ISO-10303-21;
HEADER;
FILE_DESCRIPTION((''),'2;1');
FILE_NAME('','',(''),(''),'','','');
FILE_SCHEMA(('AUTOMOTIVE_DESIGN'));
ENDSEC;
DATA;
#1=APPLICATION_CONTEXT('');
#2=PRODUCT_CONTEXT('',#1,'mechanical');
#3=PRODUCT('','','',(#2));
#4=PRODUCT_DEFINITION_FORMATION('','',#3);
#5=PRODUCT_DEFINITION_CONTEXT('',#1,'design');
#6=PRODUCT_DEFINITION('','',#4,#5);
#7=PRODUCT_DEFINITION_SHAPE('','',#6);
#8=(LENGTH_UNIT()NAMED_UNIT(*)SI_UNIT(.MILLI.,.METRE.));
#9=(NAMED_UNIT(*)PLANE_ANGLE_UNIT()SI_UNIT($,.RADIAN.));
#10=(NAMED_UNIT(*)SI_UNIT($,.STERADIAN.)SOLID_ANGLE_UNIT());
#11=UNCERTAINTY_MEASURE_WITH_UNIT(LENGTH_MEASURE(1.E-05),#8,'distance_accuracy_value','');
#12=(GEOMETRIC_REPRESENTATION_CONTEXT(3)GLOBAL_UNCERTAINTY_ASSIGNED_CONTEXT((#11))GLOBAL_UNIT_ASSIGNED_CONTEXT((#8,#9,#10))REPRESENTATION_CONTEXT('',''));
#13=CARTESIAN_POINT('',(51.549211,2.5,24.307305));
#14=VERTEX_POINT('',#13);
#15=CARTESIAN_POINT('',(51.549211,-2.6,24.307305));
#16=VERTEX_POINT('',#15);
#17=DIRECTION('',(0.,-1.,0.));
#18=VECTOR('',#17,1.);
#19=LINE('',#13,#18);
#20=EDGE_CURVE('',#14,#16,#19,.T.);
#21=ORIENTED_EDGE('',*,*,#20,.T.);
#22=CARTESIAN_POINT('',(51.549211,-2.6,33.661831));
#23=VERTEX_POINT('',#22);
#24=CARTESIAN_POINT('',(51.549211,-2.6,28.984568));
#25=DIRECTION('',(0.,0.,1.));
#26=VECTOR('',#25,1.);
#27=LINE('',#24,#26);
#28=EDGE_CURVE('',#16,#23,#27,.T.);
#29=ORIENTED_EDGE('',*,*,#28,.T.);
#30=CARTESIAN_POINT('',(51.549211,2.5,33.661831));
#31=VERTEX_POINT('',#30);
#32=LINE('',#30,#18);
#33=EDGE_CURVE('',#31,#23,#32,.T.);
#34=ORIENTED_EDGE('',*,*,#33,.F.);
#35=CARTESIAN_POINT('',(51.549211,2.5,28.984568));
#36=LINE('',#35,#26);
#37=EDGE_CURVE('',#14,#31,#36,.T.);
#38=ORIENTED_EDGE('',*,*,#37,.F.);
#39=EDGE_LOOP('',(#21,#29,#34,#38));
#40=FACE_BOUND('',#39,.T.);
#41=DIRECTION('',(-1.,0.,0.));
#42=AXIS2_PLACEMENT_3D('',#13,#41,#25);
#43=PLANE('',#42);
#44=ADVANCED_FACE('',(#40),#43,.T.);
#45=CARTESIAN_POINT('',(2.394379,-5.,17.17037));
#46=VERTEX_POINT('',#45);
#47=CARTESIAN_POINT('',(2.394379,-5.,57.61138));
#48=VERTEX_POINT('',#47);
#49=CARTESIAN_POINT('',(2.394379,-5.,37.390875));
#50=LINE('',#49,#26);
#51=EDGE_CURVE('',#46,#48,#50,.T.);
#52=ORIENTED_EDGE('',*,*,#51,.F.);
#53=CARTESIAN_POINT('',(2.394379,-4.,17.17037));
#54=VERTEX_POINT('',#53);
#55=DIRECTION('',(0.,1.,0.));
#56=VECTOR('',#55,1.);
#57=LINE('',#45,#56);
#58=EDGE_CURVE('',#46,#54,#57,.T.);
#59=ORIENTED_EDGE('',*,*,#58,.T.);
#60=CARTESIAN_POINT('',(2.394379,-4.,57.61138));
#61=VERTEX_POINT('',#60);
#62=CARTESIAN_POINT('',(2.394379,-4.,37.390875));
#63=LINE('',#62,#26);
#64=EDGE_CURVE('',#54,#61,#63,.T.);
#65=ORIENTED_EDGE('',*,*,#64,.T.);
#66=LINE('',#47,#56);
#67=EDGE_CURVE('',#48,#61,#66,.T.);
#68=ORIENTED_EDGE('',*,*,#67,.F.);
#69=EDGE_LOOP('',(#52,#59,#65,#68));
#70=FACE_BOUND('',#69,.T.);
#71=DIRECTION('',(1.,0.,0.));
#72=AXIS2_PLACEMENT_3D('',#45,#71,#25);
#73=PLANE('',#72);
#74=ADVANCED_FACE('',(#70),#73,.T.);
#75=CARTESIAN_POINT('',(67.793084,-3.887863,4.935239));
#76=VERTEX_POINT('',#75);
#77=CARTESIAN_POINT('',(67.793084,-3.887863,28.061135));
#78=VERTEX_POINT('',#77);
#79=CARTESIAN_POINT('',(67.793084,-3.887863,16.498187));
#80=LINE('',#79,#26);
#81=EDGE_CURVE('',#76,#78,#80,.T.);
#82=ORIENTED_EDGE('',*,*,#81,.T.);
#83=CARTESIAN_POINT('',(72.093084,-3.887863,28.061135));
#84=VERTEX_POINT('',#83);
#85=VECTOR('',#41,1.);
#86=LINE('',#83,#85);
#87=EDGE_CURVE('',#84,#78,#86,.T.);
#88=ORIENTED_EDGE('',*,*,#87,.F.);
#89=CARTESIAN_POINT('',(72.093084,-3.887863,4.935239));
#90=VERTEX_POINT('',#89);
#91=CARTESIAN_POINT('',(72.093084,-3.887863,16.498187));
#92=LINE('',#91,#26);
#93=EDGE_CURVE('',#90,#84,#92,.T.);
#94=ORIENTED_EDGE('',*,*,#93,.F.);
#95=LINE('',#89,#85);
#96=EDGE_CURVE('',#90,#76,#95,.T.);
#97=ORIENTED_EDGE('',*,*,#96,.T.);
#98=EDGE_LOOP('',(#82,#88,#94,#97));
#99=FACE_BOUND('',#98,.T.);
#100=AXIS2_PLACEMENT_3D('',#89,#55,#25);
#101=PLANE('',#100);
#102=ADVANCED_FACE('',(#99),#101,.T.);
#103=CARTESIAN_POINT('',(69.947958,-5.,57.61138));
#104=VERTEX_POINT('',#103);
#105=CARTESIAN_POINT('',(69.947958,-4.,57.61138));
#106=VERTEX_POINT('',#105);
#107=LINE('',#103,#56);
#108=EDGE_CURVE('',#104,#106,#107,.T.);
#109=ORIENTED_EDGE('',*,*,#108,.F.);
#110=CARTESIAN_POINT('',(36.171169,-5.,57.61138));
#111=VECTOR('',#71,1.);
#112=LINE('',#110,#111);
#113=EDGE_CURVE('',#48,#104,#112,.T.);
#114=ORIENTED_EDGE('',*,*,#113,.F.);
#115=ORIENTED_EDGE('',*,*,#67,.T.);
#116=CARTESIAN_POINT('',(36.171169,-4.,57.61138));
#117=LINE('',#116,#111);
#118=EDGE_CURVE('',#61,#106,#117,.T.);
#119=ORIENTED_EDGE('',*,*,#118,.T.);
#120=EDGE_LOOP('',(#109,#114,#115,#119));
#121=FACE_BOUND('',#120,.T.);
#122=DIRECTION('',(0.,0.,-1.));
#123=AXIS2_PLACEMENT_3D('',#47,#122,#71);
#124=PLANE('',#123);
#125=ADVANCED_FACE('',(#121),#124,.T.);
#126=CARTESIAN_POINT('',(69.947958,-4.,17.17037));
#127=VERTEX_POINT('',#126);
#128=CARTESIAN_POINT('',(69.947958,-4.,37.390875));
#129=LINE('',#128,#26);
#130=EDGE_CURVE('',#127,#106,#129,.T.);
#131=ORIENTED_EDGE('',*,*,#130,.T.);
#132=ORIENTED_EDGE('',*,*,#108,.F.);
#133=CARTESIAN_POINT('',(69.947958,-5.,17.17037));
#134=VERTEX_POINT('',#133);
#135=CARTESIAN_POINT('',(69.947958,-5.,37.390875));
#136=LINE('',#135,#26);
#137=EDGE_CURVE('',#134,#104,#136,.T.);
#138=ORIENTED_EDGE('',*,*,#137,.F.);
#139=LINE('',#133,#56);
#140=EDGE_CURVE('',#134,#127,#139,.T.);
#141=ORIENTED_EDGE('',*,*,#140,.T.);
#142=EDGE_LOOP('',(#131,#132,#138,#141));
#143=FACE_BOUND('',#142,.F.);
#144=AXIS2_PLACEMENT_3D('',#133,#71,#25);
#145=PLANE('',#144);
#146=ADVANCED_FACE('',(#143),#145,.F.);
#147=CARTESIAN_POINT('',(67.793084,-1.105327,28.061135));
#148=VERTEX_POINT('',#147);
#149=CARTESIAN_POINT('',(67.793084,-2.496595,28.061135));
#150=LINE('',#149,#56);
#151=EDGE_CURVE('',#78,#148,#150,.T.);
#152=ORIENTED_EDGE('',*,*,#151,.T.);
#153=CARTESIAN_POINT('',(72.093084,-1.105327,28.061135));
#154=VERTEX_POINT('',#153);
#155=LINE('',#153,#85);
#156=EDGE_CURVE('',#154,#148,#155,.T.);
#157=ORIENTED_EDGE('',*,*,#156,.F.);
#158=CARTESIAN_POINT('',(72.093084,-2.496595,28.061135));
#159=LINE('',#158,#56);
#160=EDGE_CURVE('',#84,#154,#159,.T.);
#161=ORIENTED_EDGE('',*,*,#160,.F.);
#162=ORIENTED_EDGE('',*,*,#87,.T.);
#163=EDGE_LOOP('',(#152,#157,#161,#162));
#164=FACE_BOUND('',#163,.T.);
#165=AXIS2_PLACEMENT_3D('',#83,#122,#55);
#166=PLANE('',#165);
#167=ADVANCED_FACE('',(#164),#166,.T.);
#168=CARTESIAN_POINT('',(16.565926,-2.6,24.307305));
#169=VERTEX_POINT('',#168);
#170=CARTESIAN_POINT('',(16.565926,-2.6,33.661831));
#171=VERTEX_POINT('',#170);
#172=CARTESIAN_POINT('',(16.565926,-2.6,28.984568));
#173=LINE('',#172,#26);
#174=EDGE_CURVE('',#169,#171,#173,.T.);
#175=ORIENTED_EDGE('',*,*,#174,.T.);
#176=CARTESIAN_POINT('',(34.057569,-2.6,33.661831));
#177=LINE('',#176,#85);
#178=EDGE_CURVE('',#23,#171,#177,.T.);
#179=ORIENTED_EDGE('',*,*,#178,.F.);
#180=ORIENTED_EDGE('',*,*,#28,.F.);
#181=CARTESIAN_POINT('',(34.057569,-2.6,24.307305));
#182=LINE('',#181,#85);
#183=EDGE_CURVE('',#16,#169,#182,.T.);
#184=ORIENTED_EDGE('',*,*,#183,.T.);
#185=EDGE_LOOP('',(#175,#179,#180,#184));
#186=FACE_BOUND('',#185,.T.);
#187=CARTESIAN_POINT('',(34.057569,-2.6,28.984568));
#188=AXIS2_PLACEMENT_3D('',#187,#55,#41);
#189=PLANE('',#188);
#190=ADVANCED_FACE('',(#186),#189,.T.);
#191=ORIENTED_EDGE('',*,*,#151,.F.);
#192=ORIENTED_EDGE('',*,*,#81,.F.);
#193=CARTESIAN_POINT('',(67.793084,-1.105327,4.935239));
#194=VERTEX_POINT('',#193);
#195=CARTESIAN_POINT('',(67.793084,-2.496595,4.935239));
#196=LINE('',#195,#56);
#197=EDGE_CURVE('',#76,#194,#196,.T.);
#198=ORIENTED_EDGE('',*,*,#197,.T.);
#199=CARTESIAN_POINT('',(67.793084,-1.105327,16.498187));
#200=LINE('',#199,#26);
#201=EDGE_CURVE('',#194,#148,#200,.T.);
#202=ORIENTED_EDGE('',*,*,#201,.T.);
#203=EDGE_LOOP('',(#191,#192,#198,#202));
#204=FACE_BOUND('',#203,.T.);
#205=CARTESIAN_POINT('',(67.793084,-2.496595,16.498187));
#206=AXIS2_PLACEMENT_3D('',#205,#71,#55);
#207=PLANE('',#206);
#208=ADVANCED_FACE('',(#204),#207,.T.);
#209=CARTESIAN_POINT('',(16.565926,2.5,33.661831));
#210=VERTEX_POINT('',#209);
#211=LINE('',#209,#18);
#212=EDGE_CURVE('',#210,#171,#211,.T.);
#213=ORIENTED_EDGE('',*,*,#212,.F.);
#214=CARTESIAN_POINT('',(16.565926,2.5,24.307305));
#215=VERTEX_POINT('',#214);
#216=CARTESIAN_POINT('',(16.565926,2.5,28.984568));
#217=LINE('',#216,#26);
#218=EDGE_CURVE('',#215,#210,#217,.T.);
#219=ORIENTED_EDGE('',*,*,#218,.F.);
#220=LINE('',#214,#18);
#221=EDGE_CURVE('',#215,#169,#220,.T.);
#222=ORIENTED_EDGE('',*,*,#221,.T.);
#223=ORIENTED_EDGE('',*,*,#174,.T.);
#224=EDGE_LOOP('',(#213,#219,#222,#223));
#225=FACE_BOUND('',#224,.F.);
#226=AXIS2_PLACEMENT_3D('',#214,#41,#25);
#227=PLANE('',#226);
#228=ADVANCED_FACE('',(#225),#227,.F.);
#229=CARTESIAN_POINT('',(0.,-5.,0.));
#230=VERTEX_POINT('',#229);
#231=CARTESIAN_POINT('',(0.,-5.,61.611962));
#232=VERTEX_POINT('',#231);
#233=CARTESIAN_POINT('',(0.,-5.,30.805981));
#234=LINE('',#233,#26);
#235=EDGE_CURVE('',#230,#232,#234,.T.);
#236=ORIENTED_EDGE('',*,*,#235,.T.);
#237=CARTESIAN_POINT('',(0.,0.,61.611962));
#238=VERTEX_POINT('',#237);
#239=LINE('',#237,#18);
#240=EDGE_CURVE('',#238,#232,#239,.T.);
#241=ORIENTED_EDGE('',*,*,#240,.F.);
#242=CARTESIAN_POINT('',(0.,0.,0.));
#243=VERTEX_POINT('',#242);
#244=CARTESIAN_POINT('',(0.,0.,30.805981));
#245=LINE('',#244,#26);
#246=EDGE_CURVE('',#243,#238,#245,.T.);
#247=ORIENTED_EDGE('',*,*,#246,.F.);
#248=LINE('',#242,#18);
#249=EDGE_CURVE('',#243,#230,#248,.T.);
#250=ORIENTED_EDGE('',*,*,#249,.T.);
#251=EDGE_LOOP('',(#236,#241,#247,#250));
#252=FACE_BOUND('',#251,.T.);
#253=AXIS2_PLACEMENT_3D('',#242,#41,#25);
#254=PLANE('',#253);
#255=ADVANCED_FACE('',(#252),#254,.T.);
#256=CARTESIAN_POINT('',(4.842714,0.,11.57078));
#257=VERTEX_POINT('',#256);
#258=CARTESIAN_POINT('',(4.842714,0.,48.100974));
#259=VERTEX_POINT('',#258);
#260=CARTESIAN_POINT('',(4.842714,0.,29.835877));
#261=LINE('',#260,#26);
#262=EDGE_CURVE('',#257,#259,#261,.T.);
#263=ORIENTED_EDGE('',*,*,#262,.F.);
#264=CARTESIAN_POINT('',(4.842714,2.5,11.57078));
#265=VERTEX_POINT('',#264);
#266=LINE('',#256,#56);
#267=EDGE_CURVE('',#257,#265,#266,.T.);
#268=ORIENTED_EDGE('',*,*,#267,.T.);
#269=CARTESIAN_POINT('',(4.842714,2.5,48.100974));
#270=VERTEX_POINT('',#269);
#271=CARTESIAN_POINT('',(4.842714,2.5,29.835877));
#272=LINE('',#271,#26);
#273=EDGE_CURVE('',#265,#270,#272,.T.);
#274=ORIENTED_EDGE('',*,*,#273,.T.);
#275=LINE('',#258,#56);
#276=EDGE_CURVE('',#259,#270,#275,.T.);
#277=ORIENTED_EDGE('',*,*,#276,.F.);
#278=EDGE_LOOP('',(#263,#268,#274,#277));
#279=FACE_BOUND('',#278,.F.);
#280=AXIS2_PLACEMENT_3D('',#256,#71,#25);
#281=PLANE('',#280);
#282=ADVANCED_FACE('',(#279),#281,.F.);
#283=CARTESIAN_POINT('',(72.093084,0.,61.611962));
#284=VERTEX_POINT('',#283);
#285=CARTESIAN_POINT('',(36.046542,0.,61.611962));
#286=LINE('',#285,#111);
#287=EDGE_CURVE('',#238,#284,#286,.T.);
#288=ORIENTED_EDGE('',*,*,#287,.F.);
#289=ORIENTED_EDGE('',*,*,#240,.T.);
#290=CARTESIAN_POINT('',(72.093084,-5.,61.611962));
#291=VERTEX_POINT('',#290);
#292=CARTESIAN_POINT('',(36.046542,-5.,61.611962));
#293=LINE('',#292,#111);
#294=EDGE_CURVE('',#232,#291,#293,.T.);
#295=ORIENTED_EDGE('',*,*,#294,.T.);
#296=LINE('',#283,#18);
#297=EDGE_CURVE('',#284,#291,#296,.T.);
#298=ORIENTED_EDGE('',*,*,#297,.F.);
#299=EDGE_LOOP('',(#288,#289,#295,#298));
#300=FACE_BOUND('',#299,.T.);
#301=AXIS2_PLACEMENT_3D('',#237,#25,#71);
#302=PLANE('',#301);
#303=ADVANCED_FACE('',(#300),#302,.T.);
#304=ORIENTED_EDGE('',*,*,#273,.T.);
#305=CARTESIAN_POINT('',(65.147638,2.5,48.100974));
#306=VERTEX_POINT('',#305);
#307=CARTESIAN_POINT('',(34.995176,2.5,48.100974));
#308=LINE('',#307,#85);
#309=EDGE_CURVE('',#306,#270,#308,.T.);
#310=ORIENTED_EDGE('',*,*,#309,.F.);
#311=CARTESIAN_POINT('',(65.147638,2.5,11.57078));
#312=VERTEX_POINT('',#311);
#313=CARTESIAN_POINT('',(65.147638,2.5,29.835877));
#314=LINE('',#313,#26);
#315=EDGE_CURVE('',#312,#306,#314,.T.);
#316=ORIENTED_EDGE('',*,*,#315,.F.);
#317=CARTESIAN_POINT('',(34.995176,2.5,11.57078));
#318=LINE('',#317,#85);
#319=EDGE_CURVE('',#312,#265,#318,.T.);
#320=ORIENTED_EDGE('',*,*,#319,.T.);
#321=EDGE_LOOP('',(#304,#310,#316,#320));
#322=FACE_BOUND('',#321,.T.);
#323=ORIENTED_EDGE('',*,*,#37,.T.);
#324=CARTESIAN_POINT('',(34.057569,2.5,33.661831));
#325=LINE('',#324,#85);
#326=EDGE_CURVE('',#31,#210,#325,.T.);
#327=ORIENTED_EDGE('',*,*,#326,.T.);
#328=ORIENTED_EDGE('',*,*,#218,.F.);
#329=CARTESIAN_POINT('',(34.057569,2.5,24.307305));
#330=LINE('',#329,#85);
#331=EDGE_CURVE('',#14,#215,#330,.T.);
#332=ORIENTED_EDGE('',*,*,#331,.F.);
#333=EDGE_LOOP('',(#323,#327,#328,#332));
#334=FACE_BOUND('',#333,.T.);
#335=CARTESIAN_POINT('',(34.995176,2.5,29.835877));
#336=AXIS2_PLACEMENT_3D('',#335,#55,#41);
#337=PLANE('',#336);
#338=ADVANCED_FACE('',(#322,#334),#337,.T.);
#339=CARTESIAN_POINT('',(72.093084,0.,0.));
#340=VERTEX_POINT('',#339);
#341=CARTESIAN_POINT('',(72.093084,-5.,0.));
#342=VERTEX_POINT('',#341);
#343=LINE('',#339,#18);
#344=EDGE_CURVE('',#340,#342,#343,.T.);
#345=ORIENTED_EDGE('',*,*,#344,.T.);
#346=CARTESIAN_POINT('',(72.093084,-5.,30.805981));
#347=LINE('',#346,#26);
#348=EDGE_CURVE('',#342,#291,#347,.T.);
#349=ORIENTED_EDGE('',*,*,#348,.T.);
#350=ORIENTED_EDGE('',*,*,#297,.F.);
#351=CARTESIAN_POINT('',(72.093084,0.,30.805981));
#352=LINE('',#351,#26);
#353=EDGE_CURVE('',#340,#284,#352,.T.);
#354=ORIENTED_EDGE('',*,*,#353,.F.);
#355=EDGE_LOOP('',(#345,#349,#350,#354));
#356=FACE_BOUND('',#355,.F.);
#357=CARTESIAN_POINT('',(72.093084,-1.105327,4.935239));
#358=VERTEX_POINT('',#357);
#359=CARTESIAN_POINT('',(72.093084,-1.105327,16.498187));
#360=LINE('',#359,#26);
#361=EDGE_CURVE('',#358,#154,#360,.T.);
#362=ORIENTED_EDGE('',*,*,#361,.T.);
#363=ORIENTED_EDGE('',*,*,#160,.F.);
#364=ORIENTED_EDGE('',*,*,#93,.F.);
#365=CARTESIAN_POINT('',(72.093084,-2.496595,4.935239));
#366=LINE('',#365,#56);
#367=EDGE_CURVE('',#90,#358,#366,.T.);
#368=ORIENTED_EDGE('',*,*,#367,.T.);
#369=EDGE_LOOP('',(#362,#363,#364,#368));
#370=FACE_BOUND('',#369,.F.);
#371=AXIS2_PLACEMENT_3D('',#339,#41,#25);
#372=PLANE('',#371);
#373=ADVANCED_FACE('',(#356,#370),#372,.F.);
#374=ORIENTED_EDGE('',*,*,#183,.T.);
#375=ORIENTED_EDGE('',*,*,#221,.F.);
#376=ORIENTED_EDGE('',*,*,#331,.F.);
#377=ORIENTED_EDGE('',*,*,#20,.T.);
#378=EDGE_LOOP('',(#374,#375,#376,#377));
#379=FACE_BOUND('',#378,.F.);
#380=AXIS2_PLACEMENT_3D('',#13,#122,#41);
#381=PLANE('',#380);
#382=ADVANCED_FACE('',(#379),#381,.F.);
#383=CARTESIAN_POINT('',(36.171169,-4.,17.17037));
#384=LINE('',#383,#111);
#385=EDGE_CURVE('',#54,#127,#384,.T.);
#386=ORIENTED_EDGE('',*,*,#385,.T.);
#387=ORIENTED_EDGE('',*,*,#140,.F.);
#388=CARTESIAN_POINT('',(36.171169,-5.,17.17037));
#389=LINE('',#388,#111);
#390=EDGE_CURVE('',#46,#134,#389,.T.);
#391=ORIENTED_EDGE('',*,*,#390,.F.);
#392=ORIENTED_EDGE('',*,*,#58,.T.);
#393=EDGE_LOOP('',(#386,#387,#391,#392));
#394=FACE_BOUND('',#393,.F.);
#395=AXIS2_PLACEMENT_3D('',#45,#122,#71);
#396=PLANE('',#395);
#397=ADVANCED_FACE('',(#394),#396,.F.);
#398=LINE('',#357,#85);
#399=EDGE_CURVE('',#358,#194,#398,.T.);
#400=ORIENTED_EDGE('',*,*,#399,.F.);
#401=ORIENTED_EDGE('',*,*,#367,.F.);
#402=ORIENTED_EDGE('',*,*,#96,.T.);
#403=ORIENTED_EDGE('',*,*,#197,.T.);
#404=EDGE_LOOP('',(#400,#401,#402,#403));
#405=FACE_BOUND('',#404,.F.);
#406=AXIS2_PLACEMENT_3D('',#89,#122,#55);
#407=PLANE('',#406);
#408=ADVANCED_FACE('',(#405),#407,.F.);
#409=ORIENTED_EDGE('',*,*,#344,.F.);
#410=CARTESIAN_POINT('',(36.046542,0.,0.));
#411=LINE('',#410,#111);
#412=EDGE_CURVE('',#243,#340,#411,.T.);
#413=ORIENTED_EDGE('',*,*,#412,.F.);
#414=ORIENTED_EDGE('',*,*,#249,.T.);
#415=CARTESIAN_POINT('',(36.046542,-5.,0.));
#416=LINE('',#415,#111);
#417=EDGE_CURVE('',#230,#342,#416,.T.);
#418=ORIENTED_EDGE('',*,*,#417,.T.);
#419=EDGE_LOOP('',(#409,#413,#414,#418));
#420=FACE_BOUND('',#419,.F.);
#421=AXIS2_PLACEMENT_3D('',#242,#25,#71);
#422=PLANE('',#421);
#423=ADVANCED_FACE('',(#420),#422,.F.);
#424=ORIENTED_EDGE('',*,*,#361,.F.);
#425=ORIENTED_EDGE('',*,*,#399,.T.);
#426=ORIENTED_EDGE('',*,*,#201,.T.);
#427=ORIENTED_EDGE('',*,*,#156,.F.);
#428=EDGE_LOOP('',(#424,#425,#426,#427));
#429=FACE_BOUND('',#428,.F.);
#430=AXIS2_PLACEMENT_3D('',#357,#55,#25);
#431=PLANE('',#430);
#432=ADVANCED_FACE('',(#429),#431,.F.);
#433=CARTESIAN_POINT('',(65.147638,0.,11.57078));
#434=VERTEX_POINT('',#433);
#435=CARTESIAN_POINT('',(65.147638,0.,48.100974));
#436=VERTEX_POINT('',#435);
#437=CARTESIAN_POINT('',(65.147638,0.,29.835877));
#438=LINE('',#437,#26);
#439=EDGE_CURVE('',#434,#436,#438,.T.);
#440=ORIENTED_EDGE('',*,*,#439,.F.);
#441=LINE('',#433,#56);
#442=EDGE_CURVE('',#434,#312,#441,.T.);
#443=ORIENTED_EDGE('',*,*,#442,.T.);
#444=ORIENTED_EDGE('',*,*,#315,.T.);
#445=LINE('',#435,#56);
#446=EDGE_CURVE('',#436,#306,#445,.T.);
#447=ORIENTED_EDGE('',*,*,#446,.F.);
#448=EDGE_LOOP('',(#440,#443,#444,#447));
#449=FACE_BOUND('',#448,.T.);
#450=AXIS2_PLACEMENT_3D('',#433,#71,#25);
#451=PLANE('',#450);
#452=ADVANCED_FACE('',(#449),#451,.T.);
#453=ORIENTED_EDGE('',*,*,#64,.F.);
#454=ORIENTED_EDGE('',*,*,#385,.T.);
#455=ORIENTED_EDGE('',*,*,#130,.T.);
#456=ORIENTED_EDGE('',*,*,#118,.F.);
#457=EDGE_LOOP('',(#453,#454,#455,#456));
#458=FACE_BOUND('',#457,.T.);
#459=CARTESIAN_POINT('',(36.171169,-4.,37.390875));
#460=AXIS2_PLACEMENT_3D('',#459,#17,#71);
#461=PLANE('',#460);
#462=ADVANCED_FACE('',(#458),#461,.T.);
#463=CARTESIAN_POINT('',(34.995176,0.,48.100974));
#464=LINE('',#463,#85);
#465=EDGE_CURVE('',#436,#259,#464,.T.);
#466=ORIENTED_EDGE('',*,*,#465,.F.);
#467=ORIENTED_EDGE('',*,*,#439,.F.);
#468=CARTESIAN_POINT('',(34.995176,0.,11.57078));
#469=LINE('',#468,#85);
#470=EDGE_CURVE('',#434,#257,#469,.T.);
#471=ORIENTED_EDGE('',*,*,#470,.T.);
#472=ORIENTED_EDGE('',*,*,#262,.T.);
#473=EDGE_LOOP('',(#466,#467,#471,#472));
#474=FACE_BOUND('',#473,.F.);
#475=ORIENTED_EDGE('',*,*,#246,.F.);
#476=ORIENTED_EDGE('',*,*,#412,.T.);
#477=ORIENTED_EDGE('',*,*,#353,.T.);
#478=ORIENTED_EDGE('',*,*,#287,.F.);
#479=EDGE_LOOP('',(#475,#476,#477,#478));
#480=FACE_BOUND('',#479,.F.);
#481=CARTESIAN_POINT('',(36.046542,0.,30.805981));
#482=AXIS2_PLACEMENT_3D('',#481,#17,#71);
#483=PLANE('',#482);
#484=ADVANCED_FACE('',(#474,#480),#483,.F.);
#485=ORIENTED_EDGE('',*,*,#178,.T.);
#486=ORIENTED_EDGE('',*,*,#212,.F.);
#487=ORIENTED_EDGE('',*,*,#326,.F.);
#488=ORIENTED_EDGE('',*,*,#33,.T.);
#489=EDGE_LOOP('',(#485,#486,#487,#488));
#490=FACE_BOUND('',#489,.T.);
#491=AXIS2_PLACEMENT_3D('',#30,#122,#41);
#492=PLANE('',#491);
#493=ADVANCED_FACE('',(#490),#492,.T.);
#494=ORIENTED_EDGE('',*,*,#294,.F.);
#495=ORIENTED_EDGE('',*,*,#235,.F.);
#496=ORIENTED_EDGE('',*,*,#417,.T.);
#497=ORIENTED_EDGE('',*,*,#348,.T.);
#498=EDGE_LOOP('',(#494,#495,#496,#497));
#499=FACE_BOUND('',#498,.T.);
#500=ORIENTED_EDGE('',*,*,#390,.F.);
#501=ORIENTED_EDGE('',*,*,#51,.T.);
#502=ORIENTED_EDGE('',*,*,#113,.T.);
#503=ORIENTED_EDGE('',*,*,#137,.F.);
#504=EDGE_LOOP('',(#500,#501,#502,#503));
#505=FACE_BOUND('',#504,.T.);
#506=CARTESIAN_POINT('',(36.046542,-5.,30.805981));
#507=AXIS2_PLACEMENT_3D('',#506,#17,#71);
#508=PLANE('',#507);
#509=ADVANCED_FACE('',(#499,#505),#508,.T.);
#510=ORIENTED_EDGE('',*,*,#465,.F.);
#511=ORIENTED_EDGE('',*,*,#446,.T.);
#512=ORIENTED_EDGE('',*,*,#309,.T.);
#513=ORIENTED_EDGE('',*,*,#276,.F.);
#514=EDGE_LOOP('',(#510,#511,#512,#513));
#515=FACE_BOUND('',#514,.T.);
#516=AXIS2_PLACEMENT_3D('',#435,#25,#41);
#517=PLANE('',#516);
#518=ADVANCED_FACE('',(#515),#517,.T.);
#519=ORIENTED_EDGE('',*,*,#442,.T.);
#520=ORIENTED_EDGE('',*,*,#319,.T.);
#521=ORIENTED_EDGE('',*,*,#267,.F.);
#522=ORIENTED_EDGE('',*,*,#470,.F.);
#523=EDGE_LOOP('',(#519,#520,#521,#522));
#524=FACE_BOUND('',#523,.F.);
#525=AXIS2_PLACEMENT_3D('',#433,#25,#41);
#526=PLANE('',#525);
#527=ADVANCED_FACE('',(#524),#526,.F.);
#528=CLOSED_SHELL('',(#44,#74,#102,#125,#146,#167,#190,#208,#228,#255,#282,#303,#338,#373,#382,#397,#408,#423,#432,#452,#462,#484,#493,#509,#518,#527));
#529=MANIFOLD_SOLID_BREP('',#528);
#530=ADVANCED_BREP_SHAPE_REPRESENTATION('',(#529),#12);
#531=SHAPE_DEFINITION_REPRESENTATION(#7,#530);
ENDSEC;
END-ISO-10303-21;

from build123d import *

# Parameters (mm, degrees)
F0_W      = 72.093084
F0_H      = 61.611962
F1_DEPTH  = 5
F3_W      = 67.553579
F3_H      = 40.44101
F4_DEPTH  = 1
F5_W      = 60.304923
F5_H      = 36.530194
F6_DEPTH  = 2.5
F7_W      = 34.983285
F7_H      = 9.354526
F8_DEPTH  = 5.1
F9_W      = 2.782536
F9_H      = 23.125896
F10_DEPTH = 4.3


with BuildPart() as f1:
    # F0 (on Front) → F1 (new body)
    with BuildSketch(Plane.XZ):
        with Locations((36.046542, 30.805981)):
            Rectangle(F0_W, F0_H)
    extrude(amount=F1_DEPTH)

    # F3 (on face) → F4 (cut)
    with BuildSketch(Plane.XZ.offset(5)):
        with Locations((36.171169, 37.390875)):
            Rectangle(F3_W, F3_H)
    extrude(amount=-F4_DEPTH, mode=Mode.SUBTRACT)

    # F5 (on face) → F6 (join)
    with BuildSketch(Plane(origin=(0, 0, 0), x_dir=(-1, 0, 0), z_dir=(0, 1, 0))):
        with Locations((-34.995176, 29.835877)):
            Rectangle(F5_W, F5_H)
    extrude(amount=F6_DEPTH)

    # F7 (on face) → F8 (cut)
    with BuildSketch(Plane(origin=(0, 2.5, 0), x_dir=(-1, 0, 0), z_dir=(0, 1, 0))):
        with Locations((-34.057569, 28.984568)):
            Rectangle(F7_W, F7_H)
    extrude(amount=-F8_DEPTH, mode=Mode.SUBTRACT)

    # F9 (on face) → F10 (cut)
    with BuildSketch(Plane.YZ.offset(72.093084)):
        with Locations((-2.496595, 16.498187)):
            Rectangle(F9_W, F9_H)
    extrude(amount=-F10_DEPTH, mode=Mode.SUBTRACT)


solid = f1.part
